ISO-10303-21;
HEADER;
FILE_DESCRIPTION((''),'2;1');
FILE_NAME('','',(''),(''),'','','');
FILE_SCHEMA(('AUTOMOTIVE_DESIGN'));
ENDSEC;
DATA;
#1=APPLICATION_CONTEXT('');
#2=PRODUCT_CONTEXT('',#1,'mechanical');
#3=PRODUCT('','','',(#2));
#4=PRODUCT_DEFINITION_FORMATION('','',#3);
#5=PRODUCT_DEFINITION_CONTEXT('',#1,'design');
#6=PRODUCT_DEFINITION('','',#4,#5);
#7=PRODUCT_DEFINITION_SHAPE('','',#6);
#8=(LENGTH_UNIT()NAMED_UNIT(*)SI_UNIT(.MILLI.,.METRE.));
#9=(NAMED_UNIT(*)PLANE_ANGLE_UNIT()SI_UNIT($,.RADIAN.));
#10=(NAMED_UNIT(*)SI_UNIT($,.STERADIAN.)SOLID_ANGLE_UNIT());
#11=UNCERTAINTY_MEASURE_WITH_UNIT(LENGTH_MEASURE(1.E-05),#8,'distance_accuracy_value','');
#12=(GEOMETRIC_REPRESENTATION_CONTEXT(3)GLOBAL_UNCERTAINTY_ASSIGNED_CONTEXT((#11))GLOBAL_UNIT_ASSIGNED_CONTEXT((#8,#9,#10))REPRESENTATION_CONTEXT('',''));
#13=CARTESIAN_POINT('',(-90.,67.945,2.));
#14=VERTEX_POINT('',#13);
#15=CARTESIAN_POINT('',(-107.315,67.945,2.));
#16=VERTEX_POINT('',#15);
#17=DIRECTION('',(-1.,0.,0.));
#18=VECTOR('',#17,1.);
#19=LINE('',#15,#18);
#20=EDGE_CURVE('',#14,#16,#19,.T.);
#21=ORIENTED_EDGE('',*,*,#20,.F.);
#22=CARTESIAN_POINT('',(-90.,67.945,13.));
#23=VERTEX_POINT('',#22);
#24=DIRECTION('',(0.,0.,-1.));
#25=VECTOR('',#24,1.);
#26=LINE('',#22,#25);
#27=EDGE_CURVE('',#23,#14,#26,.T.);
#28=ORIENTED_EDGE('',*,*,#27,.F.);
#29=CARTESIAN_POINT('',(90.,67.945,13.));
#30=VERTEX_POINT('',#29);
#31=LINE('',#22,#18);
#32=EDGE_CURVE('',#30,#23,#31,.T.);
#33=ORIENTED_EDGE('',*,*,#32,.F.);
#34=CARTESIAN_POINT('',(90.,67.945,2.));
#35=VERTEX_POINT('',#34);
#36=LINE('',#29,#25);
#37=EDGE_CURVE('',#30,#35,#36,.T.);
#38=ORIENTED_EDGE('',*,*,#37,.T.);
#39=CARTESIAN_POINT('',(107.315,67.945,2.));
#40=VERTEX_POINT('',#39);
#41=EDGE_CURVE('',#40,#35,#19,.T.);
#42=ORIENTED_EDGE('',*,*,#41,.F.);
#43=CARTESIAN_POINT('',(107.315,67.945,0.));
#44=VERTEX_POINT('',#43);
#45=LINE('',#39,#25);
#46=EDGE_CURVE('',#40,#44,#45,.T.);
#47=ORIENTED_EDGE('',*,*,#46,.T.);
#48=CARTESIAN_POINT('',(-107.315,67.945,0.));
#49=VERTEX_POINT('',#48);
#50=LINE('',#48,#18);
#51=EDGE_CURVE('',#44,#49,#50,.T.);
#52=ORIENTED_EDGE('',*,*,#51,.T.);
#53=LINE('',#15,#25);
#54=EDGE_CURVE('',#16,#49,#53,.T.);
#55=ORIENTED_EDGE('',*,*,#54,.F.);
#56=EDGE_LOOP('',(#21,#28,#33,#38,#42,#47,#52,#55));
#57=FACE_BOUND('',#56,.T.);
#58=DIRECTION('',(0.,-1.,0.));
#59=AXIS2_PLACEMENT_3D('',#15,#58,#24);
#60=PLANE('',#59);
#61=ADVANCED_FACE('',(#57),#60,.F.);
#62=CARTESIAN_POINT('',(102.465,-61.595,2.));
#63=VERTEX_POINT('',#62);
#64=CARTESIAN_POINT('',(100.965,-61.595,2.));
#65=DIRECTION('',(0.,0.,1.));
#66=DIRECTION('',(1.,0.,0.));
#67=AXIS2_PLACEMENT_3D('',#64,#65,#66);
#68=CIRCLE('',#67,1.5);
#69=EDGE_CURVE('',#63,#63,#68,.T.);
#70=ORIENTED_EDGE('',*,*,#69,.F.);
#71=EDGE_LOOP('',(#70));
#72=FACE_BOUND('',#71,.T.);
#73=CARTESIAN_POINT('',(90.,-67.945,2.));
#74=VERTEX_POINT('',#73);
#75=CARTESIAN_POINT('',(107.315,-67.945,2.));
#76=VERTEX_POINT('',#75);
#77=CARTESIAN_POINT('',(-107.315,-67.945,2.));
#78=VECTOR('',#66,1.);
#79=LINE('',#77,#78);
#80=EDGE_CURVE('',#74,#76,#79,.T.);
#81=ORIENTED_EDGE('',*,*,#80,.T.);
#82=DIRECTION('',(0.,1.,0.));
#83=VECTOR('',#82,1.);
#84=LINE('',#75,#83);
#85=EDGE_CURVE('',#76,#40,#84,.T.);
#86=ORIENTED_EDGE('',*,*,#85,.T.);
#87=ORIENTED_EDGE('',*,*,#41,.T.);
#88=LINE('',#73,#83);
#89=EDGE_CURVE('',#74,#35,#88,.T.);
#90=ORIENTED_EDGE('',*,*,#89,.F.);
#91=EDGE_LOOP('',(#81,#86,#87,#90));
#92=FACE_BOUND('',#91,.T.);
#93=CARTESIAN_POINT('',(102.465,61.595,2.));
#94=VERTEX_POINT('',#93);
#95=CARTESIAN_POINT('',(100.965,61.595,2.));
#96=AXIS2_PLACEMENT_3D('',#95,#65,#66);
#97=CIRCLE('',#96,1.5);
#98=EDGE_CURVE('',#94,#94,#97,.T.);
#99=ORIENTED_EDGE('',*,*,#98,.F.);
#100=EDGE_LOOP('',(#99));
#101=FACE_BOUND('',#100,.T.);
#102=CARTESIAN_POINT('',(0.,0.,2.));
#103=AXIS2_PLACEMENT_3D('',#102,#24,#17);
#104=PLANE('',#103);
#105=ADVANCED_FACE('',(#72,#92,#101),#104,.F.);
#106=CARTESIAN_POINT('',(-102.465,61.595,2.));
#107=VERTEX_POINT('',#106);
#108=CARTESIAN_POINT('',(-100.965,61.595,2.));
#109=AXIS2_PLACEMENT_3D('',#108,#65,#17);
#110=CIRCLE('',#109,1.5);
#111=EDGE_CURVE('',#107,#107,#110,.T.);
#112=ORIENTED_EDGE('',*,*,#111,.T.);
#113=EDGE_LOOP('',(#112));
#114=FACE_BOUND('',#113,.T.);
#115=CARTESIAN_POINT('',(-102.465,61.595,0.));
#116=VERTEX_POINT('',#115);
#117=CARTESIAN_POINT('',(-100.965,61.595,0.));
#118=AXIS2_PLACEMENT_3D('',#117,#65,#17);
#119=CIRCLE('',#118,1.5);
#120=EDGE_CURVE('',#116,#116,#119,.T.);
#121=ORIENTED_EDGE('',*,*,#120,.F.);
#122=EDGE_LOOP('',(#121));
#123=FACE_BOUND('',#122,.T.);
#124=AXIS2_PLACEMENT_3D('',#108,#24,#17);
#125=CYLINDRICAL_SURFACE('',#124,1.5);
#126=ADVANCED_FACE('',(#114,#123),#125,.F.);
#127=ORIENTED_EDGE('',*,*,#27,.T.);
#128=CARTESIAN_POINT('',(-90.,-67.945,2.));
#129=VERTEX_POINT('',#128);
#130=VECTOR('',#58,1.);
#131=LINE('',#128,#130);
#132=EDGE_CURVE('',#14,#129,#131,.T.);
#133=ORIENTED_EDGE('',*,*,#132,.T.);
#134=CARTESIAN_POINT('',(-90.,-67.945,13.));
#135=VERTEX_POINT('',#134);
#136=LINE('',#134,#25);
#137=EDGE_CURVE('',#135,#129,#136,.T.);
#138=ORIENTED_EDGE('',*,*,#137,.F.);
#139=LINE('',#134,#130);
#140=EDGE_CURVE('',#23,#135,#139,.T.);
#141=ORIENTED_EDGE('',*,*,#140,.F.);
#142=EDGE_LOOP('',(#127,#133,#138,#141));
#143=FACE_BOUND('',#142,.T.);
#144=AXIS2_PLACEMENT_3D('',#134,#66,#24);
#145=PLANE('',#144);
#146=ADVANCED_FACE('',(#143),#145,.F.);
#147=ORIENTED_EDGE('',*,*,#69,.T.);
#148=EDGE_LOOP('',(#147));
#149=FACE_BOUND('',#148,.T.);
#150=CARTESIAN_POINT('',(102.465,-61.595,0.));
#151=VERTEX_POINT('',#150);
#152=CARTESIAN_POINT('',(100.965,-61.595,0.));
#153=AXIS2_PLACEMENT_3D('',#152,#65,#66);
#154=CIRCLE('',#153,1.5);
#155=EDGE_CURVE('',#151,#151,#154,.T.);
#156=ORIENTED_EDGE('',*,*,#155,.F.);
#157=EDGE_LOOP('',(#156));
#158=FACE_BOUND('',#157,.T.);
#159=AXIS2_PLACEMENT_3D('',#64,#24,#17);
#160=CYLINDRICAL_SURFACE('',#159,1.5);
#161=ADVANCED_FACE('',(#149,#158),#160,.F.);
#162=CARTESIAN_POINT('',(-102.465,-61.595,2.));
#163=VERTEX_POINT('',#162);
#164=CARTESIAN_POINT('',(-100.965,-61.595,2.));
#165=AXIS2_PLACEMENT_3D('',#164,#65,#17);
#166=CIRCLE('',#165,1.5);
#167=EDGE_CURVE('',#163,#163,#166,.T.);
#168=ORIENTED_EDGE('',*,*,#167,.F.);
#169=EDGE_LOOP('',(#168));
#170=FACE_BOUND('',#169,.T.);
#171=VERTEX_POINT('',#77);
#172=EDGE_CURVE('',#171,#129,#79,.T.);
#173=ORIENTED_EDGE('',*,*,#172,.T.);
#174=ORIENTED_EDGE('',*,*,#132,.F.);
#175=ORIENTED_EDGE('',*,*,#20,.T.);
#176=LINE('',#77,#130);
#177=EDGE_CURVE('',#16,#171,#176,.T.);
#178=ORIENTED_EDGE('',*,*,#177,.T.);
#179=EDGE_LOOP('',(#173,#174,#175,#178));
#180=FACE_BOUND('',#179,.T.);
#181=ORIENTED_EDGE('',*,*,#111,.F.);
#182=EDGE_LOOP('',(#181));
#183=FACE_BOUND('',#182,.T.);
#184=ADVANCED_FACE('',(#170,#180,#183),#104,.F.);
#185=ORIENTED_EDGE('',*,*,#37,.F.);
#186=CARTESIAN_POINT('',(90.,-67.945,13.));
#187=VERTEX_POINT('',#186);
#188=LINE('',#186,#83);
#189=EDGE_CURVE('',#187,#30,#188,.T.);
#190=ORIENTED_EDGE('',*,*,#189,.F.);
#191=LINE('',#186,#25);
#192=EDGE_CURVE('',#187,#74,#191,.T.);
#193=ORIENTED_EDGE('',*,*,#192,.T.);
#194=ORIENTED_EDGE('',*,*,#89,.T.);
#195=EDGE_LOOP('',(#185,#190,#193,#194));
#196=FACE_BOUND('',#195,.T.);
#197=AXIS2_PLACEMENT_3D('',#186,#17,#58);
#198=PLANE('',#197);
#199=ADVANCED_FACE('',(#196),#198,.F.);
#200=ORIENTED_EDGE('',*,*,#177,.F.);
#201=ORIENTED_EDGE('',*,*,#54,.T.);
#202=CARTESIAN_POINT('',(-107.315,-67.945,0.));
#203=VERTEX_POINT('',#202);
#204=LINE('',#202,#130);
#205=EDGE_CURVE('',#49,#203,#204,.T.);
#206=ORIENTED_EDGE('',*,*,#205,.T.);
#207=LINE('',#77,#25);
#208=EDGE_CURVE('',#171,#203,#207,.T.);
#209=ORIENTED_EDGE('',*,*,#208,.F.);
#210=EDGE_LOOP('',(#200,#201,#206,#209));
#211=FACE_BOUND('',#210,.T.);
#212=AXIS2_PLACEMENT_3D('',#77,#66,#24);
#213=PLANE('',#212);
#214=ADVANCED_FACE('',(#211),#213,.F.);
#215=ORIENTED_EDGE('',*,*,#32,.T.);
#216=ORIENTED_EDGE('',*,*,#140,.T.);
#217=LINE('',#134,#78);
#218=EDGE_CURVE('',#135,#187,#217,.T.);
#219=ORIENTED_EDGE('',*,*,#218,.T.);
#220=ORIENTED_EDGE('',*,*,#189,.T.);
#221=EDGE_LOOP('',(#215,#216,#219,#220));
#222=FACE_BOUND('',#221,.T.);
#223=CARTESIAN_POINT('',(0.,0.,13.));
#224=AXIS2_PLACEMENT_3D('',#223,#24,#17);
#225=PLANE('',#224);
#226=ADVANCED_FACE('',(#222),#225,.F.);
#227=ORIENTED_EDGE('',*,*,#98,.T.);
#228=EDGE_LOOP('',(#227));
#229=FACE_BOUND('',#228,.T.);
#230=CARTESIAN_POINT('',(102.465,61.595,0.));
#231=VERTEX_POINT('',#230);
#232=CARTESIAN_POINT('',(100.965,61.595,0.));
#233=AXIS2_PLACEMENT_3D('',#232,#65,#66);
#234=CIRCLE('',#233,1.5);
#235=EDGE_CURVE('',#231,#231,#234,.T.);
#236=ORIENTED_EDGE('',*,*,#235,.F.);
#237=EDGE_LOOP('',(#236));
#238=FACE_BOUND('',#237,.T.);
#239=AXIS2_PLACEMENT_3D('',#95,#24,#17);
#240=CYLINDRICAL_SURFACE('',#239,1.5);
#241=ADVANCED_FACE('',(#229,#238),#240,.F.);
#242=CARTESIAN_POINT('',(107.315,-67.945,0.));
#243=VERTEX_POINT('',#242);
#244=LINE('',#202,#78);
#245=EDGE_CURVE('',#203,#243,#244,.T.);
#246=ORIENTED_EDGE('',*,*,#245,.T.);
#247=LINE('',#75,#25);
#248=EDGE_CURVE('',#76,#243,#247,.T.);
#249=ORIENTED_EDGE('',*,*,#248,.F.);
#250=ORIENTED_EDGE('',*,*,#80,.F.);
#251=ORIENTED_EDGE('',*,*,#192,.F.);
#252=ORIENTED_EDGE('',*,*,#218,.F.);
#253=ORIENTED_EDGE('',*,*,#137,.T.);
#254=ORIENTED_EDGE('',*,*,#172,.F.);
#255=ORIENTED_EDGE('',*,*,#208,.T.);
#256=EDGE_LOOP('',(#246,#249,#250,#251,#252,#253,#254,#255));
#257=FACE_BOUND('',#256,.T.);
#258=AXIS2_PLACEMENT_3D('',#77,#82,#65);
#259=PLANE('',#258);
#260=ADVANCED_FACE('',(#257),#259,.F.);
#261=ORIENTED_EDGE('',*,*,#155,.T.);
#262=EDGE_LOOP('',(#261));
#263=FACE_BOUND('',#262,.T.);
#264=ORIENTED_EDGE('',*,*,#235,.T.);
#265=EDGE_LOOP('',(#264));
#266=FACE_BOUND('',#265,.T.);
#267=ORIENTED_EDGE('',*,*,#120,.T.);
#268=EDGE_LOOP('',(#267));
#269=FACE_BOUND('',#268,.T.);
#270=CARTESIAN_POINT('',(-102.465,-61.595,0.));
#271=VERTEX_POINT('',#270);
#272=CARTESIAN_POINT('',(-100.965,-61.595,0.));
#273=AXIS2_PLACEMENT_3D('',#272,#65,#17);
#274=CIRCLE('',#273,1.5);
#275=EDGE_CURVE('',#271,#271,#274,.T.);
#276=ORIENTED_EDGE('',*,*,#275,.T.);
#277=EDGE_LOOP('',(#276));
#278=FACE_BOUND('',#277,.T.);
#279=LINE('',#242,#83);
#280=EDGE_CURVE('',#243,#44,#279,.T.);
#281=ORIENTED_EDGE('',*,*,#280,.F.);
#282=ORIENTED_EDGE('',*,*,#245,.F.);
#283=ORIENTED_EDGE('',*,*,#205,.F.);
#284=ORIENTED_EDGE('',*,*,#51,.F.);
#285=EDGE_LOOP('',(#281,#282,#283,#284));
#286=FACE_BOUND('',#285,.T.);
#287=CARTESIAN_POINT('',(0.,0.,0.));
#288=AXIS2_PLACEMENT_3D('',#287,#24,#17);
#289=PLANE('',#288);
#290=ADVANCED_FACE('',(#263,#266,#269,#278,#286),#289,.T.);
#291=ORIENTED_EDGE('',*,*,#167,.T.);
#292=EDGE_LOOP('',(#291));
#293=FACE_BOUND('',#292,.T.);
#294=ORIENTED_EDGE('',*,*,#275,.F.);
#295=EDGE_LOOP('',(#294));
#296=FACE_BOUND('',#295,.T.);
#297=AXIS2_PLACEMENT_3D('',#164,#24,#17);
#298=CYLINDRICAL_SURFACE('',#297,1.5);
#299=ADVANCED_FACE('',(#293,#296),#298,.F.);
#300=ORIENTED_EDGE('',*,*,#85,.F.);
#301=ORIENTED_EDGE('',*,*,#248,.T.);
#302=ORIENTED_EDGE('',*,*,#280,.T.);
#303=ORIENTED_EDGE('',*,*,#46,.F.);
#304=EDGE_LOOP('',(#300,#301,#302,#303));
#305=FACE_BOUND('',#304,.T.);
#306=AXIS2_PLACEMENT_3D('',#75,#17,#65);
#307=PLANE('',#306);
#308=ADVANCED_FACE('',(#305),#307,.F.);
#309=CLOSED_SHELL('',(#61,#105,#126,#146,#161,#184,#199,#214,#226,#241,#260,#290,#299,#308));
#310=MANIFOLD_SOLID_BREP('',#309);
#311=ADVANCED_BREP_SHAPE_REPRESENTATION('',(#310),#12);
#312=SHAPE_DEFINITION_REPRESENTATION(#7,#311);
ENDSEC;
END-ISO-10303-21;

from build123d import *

# Parameters (mm, degrees)
SKETCH_1_W      = 214.63
SKETCH_1_H      = 135.89
SKETCH_1_R      = 1.5
EXTRUDE_1_DEPTH = 2
SKETCH_2_W      = 180
SKETCH_2_H      = 135.89
EXTRUDE_2_DEPTH = 11


with BuildPart() as part:
    # 스케치1 → 보스-돌출1 (new body)
    with BuildSketch(Plane.XY):
        Rectangle(SKETCH_1_W, SKETCH_1_H)
        with Locations((100.965, 61.595)):
            Circle(SKETCH_1_R, mode=Mode.SUBTRACT)
        with Locations((100.965, -61.595)):
            Circle(SKETCH_1_R, mode=Mode.SUBTRACT)
        with Locations(Location((-100.965, -61.595, 0), (0, 0, 180))):
            Circle(SKETCH_1_R, mode=Mode.SUBTRACT)
        with Locations(Location((-100.965, 61.595, 0), (0, 0, 180))):
            Circle(SKETCH_1_R, mode=Mode.SUBTRACT)
    extrude(amount=EXTRUDE_1_DEPTH)

    # 스케치2 → 보스-돌출2 (add)
    with BuildSketch(Plane.XY.offset(2)):
        Rectangle(SKETCH_2_W, SKETCH_2_H)
    extrude(amount=EXTRUDE_2_DEPTH)


solid = part.part
